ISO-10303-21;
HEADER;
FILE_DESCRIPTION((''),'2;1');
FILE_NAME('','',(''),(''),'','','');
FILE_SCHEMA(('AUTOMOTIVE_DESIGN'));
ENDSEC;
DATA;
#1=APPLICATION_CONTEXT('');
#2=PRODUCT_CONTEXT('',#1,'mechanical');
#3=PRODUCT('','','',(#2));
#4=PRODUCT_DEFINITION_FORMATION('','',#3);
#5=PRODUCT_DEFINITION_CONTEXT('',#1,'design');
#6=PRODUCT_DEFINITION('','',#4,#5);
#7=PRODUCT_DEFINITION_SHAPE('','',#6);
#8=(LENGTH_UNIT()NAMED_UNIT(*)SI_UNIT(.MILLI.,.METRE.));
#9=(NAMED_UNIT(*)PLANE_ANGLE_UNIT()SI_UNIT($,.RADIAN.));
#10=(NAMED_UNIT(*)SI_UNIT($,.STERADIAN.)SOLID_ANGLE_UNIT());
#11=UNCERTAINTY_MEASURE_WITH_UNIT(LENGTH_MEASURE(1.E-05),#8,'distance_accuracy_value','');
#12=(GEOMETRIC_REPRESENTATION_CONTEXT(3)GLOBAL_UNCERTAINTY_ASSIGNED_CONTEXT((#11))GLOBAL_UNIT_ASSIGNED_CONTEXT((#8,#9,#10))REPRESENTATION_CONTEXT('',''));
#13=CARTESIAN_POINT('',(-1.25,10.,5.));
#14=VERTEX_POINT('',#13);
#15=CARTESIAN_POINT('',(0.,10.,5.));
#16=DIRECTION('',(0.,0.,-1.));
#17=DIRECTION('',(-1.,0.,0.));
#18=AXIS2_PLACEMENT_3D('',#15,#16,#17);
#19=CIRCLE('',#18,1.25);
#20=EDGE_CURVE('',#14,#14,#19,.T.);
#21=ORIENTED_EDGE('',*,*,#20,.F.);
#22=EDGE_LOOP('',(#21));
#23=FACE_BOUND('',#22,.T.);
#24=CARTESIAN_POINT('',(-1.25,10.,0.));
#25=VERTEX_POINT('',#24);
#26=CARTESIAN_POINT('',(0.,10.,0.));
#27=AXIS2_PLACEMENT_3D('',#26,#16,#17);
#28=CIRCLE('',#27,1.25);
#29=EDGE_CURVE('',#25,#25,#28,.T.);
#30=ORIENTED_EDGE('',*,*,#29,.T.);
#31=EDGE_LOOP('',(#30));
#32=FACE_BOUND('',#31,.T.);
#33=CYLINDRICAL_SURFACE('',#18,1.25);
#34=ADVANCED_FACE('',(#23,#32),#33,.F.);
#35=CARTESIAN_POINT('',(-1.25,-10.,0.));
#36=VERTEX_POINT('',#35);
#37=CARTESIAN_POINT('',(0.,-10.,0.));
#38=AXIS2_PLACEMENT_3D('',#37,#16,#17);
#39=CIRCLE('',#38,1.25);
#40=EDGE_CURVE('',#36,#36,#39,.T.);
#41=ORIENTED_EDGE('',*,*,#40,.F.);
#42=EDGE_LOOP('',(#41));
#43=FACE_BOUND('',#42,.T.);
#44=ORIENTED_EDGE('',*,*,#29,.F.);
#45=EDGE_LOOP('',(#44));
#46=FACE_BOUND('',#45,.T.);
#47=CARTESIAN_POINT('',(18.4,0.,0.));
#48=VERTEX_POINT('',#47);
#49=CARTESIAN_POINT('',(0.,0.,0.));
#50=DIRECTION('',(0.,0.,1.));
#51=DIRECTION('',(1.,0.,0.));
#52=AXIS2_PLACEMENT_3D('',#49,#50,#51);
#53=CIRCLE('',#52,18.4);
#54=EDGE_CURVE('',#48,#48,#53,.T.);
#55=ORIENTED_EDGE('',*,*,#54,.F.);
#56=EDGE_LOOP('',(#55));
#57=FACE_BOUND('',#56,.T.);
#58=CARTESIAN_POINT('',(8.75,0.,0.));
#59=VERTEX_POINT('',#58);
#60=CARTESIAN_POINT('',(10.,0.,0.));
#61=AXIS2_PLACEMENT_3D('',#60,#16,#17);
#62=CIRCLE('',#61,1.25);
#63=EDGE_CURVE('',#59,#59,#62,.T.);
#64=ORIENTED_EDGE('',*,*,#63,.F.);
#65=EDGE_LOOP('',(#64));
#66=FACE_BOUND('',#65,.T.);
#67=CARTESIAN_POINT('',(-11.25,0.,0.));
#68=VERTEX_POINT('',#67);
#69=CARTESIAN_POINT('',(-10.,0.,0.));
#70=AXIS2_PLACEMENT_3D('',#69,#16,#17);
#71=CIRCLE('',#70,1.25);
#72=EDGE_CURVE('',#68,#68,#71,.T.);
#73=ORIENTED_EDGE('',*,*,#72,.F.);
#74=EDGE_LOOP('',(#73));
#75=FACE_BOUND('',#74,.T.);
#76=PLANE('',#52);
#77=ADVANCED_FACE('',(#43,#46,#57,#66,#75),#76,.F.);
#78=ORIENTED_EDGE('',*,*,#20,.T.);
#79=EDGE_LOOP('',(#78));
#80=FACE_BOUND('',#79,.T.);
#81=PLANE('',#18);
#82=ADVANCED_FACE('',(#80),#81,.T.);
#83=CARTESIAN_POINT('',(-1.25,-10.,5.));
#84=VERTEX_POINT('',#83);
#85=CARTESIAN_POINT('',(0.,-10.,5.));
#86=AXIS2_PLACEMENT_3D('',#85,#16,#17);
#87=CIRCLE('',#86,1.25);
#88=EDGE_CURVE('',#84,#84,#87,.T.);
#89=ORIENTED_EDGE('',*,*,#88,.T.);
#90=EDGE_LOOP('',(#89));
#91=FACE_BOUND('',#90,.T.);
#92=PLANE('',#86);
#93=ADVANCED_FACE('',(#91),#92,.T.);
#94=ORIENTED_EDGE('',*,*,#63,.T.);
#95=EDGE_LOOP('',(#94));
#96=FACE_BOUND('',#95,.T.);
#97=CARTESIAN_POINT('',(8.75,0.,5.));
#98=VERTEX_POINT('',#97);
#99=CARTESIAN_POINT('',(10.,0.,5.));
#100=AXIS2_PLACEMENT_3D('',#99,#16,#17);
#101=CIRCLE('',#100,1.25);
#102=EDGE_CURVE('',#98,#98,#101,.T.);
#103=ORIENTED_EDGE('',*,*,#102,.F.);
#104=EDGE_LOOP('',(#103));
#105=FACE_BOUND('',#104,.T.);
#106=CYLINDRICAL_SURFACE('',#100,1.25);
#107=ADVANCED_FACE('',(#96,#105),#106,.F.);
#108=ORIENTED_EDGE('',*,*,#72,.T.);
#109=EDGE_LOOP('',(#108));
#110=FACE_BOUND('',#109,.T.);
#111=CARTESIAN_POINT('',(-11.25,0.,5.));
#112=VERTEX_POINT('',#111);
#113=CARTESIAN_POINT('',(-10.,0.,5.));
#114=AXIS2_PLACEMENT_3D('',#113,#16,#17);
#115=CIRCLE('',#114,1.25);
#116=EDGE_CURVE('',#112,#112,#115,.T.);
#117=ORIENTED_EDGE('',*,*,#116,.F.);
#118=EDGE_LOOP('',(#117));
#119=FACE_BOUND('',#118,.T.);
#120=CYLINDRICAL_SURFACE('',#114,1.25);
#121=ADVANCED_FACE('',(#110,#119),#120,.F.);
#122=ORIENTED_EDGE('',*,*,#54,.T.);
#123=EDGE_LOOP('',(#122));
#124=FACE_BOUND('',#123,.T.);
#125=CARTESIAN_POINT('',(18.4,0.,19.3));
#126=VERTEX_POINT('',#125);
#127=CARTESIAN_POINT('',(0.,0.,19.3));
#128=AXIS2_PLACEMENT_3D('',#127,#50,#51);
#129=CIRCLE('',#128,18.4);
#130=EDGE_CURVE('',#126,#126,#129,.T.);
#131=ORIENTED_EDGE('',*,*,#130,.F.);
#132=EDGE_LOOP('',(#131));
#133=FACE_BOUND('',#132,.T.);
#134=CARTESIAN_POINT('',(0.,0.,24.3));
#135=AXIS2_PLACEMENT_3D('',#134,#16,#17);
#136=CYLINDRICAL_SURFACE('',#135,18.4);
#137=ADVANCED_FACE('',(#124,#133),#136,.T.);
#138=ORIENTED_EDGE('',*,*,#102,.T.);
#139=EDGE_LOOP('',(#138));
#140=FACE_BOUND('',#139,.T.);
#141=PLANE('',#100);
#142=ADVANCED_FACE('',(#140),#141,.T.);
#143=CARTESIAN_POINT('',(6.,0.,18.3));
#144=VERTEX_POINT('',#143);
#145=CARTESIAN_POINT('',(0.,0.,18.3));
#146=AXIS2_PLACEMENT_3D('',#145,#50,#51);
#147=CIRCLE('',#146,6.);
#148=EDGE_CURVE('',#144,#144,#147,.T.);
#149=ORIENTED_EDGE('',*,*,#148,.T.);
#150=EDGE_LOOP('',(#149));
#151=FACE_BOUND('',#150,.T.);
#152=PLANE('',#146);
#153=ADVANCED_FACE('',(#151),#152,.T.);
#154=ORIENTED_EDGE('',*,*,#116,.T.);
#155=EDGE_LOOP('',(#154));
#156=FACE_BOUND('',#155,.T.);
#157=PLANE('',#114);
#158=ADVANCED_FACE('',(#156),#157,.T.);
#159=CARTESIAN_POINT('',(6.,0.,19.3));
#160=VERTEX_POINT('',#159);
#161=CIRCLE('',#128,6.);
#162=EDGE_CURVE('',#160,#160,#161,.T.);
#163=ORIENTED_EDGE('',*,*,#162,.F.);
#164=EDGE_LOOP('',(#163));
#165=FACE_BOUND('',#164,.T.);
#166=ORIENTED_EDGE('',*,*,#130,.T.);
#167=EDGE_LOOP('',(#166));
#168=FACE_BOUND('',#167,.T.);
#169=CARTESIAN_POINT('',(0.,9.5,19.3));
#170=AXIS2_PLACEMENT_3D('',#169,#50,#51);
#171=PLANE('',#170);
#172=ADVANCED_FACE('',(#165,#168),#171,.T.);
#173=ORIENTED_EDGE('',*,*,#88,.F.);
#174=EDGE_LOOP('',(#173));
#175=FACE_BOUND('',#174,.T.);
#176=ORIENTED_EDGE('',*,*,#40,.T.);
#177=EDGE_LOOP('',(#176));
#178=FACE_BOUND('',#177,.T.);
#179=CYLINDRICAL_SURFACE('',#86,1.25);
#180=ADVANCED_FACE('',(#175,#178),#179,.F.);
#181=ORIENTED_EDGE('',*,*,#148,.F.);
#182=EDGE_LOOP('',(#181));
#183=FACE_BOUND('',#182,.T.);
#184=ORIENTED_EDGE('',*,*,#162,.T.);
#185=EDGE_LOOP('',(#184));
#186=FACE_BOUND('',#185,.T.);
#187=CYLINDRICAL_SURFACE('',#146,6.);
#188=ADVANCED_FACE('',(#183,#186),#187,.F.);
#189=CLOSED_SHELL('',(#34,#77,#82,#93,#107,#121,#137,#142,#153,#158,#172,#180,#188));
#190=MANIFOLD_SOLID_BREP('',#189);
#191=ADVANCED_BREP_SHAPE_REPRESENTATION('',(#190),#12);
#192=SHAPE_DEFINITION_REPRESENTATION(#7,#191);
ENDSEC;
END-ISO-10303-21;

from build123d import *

# Parameters (mm, degrees)
CROQUIS1_R              = 18.4
SALIENTE_EXTRUIR1_DEPTH = 24.3
CROQUIS2_R              = 3
CROQUIS2_R_2            = 1.25
CORTAR_EXTRUIR1_DEPTH   = 5
CROQUIS3_R              = 1.25
CORTAR_EXTRUIR2_DEPTH   = 5
CORTAR_EXTRUIR3_START   = -5
CROQUIS6_R              = 18.4
CORTAR_EXTRUIR3_DEPTH   = 5
CROQUIS7_R              = 6
CORTAR_EXTRUIR4_DEPTH   = 1


with BuildPart() as part:
    # Croquis1 → Saliente-Extruir1 (new body)
    with BuildSketch(Plane.XY):
        Circle(CROQUIS1_R)
    extrude(amount=SALIENTE_EXTRUIR1_DEPTH)

    # Croquis2 → Cortar-Extruir1 (cut)
    with BuildSketch(Plane.XY.offset(24.3)):
        Circle(CROQUIS2_R)
        with Locations((0, 9.5)):
            Circle(CROQUIS2_R_2)
        with Locations((9.5, 0)):
            Circle(CROQUIS2_R_2)
        with Locations((0, -9.5)):
            Circle(CROQUIS2_R_2)
        with Locations((-9.5, 0)):
            Circle(CROQUIS2_R_2)
    extrude(amount=-CORTAR_EXTRUIR1_DEPTH, mode=Mode.SUBTRACT)

    # Croquis3 → Cortar-Extruir2 (cut)
    with BuildSketch(Plane(origin=(0, 0, 0), x_dir=(-1, 0, 0), z_dir=(0, 0, -1))):
        with Locations((-10, 0)):
            Circle(CROQUIS3_R)
        with Locations((0, 10)):
            Circle(CROQUIS3_R)
        with Locations((10, 0)):
            Circle(CROQUIS3_R)
        with Locations((0, -10)):
            Circle(CROQUIS3_R)
    extrude(amount=-CORTAR_EXTRUIR2_DEPTH, mode=Mode.SUBTRACT)

    # Croquis6 → Cortar-Extruir3 (cut)
    with BuildSketch(Plane.XY.offset(24.3).offset(CORTAR_EXTRUIR3_START)):
        Circle(CROQUIS6_R)
    extrude(amount=CORTAR_EXTRUIR3_DEPTH, mode=Mode.SUBTRACT)

    # Croquis7 → Cortar-Extruir4 (cut)
    with BuildSketch(Plane.XY.offset(19.3)):
        Circle(CROQUIS7_R)
    extrude(amount=-CORTAR_EXTRUIR4_DEPTH, mode=Mode.SUBTRACT)


solid = part.part
